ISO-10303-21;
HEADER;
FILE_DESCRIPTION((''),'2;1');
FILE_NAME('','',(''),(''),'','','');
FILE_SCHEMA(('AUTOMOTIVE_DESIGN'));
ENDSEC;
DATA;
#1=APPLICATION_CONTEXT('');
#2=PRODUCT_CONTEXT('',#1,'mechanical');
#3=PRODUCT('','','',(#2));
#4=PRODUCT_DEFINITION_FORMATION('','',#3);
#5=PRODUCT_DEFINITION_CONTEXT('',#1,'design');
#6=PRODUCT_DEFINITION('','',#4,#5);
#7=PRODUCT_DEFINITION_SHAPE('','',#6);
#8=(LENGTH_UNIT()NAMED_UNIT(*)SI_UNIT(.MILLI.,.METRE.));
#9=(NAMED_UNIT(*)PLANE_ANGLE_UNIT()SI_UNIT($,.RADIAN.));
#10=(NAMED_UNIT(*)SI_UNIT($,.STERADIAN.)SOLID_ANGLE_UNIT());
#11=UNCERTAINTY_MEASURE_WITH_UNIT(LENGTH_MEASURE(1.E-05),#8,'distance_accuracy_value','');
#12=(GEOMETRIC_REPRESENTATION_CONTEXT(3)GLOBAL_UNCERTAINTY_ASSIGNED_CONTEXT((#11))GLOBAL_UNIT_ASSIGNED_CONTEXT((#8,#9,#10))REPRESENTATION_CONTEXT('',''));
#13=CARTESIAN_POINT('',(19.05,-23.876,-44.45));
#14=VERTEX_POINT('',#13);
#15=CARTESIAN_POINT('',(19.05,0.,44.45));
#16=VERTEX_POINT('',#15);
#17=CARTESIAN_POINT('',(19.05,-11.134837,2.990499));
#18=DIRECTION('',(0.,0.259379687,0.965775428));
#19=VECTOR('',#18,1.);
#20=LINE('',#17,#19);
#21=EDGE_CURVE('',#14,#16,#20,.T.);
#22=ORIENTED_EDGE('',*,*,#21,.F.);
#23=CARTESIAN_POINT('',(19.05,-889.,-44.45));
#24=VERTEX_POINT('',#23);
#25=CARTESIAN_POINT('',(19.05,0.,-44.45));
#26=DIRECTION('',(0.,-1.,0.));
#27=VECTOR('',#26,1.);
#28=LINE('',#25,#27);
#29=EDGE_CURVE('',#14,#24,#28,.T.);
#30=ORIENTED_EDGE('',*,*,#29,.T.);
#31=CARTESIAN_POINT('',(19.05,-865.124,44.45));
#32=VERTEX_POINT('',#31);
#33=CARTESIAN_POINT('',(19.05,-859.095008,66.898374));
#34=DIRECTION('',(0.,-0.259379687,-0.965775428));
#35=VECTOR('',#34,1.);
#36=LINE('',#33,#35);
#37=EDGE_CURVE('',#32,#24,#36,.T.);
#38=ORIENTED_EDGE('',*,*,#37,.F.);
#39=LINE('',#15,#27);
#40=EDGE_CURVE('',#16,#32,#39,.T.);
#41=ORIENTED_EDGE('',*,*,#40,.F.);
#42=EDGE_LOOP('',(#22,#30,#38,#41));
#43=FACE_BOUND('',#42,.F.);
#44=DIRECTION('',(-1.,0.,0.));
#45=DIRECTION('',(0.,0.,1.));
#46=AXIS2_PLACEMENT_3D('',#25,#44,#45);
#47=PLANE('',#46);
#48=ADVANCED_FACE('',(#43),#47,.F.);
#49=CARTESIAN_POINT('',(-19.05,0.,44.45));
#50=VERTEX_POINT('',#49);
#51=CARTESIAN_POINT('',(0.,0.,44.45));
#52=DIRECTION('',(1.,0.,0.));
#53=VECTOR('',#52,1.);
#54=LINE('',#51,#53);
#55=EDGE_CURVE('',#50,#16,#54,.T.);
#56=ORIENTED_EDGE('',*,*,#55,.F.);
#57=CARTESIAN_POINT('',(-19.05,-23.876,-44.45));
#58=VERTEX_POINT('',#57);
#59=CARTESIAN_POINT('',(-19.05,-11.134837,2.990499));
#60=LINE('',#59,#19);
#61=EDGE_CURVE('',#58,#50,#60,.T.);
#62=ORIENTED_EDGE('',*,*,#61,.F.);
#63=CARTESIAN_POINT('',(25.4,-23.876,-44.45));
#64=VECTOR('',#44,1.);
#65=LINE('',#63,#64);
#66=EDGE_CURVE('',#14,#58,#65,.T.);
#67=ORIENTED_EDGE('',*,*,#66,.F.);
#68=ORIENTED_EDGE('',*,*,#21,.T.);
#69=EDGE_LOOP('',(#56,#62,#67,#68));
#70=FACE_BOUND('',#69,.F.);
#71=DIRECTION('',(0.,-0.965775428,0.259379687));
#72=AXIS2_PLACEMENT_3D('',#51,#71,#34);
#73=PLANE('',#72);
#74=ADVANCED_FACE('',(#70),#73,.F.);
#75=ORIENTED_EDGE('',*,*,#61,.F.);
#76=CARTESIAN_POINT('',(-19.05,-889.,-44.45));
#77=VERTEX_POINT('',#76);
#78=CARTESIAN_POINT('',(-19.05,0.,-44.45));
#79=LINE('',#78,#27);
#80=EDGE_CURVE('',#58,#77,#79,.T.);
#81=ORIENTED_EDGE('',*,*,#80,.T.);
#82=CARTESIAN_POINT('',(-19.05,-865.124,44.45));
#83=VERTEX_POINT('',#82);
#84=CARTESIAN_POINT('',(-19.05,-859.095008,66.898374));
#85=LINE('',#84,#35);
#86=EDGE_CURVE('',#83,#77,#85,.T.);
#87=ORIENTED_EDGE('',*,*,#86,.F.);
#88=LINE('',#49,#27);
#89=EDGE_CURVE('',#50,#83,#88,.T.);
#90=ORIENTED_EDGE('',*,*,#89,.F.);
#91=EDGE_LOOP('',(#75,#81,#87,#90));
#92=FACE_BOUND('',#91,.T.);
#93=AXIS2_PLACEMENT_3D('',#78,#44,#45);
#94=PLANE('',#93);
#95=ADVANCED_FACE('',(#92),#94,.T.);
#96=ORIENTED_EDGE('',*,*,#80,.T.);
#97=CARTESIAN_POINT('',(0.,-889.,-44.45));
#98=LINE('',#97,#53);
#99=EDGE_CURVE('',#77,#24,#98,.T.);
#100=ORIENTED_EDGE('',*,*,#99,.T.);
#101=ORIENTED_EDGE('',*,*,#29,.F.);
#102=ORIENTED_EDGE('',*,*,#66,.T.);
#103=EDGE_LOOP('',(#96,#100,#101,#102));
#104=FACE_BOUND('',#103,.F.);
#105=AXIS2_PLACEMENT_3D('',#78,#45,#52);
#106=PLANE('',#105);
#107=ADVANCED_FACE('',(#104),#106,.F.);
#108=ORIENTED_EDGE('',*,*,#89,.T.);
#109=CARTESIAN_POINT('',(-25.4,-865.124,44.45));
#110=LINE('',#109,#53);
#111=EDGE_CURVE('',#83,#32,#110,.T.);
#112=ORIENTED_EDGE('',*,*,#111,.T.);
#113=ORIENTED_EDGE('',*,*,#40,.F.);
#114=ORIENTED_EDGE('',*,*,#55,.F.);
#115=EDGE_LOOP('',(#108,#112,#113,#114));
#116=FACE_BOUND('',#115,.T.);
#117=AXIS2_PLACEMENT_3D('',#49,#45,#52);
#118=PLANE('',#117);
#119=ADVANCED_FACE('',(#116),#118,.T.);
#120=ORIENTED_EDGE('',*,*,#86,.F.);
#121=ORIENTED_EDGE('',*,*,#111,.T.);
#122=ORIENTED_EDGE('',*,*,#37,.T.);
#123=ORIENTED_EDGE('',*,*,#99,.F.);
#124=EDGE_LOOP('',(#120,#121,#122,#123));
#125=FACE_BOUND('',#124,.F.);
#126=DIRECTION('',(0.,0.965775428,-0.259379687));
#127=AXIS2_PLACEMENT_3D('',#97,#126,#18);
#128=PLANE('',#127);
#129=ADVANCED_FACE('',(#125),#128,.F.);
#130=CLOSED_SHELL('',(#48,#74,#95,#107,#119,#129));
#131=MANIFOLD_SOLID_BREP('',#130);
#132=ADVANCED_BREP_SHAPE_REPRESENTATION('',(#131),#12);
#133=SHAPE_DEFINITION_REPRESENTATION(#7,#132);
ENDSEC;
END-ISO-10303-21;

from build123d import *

# Parameters (mm, degrees)
F0_W     = 38.1
F0_H     = 88.9
F1_DEPTH = 889
F3_DEPTH = 25.4
F5_DEPTH = 25.4


with BuildPart() as f1:
    # F0 (on Front) → F1 (new body)
    with BuildSketch(Plane.XZ):
        Rectangle(F0_W, F0_H)
    extrude(amount=F1_DEPTH)

    # F2 (on Right) → F3 (cut, symmetric)
    with BuildSketch(Plane.YZ):
        Polygon((-889, -44.45), (-865.124, 44.45), (-889, 44.45), align=None)
    extrude(amount=F3_DEPTH, both=True, mode=Mode.SUBTRACT)

    # F4 (on Right) → F5 (cut, symmetric)
    with BuildSketch(Plane.YZ):
        Polygon((0, -44.45), (0, 44.45), (-23.876, -44.45), align=None)
    extrude(amount=F5_DEPTH, both=True, mode=Mode.SUBTRACT)


solid = f1.part
